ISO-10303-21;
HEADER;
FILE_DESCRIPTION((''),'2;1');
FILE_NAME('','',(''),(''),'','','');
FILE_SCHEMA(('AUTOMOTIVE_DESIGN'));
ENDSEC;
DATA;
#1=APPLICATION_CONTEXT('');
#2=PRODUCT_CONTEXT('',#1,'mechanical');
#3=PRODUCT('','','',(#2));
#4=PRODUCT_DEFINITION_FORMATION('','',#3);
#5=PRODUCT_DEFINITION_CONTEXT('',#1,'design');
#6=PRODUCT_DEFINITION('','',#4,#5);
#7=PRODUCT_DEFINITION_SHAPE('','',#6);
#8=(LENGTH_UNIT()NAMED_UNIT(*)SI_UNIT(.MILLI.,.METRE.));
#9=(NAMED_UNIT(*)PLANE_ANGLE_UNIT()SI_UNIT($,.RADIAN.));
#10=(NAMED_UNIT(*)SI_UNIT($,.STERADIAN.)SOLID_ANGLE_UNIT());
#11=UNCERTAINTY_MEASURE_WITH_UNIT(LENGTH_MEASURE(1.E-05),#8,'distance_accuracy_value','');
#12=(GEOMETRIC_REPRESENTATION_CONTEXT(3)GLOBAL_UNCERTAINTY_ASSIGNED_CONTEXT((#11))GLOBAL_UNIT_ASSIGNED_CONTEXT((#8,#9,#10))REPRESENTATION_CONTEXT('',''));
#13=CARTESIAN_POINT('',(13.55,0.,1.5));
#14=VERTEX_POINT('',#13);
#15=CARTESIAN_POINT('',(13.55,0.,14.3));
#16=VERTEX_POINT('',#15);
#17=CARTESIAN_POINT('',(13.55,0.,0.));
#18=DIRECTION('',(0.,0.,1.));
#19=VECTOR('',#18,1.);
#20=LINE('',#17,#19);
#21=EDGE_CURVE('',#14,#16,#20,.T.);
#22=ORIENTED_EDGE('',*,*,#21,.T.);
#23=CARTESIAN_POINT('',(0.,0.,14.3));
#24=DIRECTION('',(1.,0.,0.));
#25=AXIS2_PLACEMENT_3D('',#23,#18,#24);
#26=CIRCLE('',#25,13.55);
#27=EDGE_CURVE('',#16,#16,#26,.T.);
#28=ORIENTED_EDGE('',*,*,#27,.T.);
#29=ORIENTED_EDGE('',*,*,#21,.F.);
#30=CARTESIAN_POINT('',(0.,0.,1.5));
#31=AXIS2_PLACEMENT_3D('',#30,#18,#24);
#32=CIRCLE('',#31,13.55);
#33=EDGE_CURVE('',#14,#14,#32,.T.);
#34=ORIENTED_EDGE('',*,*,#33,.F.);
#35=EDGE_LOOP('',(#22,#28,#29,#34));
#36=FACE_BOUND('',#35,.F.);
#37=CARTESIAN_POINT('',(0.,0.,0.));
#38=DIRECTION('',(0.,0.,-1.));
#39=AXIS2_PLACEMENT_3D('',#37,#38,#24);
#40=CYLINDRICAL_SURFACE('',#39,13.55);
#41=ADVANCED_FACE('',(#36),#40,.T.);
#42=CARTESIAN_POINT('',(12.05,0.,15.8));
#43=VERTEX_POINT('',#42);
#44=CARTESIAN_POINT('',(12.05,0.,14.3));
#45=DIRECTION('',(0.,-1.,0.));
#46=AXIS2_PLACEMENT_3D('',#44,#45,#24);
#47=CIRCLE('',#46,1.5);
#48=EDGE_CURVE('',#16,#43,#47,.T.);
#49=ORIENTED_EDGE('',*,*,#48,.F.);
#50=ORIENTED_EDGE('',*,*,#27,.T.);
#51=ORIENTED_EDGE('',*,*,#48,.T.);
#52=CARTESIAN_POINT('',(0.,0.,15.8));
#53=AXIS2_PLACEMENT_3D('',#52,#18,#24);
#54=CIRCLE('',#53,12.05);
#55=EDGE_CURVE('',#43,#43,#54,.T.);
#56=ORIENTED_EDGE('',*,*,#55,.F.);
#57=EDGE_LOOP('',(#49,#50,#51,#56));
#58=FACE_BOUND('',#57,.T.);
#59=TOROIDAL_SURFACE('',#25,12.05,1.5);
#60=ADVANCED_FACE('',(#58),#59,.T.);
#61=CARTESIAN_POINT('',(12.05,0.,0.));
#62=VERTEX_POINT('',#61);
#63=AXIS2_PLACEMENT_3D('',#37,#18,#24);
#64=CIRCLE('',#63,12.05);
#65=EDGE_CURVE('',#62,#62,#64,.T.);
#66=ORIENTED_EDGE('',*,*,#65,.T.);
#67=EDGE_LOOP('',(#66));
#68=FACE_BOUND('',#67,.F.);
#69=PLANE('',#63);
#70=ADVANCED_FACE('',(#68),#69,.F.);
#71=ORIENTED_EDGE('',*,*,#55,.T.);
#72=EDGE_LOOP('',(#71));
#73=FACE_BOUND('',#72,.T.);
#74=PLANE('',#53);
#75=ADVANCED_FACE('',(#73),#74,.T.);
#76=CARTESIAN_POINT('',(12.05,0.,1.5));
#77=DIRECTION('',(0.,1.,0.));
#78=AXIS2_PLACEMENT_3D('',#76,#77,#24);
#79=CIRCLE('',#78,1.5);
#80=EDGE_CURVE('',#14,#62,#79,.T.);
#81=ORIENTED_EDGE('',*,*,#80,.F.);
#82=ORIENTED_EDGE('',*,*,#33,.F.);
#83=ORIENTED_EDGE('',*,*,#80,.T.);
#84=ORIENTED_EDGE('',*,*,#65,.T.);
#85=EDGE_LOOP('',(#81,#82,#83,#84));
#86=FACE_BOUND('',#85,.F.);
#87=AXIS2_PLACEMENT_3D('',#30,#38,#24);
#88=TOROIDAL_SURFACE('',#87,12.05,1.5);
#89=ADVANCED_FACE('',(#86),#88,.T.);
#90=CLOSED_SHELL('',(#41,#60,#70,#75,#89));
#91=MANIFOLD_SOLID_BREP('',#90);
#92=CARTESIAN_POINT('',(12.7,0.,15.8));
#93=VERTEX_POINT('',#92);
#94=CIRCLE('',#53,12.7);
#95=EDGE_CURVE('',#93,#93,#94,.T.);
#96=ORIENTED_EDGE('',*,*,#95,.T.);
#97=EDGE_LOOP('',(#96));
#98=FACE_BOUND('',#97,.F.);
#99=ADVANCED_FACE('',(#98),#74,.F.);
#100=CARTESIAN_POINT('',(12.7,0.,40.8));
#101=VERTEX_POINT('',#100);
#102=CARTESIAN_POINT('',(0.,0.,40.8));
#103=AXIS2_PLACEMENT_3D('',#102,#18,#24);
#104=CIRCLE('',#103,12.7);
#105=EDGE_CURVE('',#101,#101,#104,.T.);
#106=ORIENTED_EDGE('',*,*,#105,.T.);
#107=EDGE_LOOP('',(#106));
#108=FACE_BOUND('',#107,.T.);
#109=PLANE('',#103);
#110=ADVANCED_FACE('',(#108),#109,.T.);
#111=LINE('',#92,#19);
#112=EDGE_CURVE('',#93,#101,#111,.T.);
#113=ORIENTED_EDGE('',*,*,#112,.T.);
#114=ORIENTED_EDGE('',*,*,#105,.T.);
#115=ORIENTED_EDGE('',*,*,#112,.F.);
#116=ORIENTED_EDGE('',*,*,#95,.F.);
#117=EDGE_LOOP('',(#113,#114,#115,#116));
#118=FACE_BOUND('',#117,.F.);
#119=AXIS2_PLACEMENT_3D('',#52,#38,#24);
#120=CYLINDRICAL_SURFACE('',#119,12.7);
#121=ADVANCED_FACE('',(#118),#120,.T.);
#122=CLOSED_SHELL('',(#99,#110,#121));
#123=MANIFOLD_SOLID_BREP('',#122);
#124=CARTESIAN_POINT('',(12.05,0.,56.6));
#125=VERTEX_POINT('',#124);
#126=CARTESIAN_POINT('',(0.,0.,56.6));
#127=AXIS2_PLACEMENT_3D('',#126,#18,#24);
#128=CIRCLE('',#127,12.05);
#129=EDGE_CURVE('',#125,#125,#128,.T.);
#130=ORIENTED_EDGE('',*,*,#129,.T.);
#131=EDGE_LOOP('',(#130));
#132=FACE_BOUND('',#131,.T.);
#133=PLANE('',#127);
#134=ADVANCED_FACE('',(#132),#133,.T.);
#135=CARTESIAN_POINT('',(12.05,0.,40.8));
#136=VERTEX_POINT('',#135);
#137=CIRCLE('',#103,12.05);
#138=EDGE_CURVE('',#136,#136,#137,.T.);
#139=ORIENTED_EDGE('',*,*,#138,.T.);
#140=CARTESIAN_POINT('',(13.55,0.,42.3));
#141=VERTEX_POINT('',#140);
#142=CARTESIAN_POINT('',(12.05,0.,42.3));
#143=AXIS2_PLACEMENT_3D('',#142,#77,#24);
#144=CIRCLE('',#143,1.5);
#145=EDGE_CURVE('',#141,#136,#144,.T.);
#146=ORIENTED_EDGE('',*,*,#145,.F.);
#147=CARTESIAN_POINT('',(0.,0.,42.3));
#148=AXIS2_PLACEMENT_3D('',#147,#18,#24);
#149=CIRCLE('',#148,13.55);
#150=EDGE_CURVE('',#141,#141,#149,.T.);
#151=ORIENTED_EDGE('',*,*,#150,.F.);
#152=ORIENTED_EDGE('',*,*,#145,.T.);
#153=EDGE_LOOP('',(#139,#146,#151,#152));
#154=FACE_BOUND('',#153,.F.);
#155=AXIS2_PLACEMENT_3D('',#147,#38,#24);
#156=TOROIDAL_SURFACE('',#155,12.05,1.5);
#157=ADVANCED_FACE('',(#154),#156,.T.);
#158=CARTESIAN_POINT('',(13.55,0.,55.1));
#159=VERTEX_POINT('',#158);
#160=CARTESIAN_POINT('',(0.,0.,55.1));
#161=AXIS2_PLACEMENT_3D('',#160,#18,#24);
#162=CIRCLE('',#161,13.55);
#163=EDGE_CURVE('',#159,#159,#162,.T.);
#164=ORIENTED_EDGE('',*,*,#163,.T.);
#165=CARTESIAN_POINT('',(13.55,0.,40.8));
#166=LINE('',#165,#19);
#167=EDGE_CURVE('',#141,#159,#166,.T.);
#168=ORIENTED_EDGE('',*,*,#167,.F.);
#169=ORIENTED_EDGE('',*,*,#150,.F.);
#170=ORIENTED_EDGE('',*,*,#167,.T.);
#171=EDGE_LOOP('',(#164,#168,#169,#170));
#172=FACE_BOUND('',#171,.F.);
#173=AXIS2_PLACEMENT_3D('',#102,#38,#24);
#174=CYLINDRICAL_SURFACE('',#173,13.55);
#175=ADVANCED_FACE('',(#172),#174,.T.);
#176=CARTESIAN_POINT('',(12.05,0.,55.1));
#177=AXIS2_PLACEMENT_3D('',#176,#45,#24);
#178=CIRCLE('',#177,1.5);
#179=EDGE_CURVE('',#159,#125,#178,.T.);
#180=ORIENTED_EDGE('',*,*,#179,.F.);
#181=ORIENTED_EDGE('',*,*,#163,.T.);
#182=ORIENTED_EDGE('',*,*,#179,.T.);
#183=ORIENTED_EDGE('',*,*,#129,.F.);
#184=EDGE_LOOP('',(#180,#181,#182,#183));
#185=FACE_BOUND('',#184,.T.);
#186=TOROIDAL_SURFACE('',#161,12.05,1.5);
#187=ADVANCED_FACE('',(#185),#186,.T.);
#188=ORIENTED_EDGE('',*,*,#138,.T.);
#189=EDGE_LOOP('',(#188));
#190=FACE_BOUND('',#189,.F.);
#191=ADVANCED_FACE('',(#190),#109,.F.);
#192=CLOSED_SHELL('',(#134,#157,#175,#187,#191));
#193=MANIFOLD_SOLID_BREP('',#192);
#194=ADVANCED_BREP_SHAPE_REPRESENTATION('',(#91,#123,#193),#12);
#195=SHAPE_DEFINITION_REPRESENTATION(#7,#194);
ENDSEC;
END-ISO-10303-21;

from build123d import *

# Parameters (mm, degrees)
F0_R     = 13.55
F1_DEPTH = 15.8
F2_R     = 12.7
F3_DEPTH = 25
F4_R     = 13.55
F5_DEPTH = 15.8
F6_R     = 1.5
F6_2_R   = 1.5


with BuildPart() as f1:
    # F0 (on Top) → F1 (new body)
    with BuildSketch(Plane.XY):
        Circle(F0_R)
    extrude(amount=F1_DEPTH)

    # F6#2
    f6_2_edges = [f1.edges().sort_by_distance(p)[0] for p in [
        (-13.55, 0, 0),
        (-13.55, 0, 15.8),
    ]]
    fillet(f6_2_edges, radius=F6_2_R)


with BuildPart() as f3:
    # F2 (on face) → F3 (new body)
    with BuildSketch(Plane.XY.offset(15.8)):
        Circle(F2_R)
    extrude(amount=F3_DEPTH)


with BuildPart() as f5:
    # F4 (on face) → F5 (new body)
    with BuildSketch(Plane.XY.offset(40.8)):
        Circle(F4_R)
    extrude(amount=F5_DEPTH)

    # F6
    f6_edges = [f5.edges().sort_by_distance(p)[0] for p in [
        (-13.55, 0, 56.6),
        (-13.55, 0, 40.8),
    ]]
    fillet(f6_edges, radius=F6_R)


solid = Compound([f1.part, f3.part, f5.part])
